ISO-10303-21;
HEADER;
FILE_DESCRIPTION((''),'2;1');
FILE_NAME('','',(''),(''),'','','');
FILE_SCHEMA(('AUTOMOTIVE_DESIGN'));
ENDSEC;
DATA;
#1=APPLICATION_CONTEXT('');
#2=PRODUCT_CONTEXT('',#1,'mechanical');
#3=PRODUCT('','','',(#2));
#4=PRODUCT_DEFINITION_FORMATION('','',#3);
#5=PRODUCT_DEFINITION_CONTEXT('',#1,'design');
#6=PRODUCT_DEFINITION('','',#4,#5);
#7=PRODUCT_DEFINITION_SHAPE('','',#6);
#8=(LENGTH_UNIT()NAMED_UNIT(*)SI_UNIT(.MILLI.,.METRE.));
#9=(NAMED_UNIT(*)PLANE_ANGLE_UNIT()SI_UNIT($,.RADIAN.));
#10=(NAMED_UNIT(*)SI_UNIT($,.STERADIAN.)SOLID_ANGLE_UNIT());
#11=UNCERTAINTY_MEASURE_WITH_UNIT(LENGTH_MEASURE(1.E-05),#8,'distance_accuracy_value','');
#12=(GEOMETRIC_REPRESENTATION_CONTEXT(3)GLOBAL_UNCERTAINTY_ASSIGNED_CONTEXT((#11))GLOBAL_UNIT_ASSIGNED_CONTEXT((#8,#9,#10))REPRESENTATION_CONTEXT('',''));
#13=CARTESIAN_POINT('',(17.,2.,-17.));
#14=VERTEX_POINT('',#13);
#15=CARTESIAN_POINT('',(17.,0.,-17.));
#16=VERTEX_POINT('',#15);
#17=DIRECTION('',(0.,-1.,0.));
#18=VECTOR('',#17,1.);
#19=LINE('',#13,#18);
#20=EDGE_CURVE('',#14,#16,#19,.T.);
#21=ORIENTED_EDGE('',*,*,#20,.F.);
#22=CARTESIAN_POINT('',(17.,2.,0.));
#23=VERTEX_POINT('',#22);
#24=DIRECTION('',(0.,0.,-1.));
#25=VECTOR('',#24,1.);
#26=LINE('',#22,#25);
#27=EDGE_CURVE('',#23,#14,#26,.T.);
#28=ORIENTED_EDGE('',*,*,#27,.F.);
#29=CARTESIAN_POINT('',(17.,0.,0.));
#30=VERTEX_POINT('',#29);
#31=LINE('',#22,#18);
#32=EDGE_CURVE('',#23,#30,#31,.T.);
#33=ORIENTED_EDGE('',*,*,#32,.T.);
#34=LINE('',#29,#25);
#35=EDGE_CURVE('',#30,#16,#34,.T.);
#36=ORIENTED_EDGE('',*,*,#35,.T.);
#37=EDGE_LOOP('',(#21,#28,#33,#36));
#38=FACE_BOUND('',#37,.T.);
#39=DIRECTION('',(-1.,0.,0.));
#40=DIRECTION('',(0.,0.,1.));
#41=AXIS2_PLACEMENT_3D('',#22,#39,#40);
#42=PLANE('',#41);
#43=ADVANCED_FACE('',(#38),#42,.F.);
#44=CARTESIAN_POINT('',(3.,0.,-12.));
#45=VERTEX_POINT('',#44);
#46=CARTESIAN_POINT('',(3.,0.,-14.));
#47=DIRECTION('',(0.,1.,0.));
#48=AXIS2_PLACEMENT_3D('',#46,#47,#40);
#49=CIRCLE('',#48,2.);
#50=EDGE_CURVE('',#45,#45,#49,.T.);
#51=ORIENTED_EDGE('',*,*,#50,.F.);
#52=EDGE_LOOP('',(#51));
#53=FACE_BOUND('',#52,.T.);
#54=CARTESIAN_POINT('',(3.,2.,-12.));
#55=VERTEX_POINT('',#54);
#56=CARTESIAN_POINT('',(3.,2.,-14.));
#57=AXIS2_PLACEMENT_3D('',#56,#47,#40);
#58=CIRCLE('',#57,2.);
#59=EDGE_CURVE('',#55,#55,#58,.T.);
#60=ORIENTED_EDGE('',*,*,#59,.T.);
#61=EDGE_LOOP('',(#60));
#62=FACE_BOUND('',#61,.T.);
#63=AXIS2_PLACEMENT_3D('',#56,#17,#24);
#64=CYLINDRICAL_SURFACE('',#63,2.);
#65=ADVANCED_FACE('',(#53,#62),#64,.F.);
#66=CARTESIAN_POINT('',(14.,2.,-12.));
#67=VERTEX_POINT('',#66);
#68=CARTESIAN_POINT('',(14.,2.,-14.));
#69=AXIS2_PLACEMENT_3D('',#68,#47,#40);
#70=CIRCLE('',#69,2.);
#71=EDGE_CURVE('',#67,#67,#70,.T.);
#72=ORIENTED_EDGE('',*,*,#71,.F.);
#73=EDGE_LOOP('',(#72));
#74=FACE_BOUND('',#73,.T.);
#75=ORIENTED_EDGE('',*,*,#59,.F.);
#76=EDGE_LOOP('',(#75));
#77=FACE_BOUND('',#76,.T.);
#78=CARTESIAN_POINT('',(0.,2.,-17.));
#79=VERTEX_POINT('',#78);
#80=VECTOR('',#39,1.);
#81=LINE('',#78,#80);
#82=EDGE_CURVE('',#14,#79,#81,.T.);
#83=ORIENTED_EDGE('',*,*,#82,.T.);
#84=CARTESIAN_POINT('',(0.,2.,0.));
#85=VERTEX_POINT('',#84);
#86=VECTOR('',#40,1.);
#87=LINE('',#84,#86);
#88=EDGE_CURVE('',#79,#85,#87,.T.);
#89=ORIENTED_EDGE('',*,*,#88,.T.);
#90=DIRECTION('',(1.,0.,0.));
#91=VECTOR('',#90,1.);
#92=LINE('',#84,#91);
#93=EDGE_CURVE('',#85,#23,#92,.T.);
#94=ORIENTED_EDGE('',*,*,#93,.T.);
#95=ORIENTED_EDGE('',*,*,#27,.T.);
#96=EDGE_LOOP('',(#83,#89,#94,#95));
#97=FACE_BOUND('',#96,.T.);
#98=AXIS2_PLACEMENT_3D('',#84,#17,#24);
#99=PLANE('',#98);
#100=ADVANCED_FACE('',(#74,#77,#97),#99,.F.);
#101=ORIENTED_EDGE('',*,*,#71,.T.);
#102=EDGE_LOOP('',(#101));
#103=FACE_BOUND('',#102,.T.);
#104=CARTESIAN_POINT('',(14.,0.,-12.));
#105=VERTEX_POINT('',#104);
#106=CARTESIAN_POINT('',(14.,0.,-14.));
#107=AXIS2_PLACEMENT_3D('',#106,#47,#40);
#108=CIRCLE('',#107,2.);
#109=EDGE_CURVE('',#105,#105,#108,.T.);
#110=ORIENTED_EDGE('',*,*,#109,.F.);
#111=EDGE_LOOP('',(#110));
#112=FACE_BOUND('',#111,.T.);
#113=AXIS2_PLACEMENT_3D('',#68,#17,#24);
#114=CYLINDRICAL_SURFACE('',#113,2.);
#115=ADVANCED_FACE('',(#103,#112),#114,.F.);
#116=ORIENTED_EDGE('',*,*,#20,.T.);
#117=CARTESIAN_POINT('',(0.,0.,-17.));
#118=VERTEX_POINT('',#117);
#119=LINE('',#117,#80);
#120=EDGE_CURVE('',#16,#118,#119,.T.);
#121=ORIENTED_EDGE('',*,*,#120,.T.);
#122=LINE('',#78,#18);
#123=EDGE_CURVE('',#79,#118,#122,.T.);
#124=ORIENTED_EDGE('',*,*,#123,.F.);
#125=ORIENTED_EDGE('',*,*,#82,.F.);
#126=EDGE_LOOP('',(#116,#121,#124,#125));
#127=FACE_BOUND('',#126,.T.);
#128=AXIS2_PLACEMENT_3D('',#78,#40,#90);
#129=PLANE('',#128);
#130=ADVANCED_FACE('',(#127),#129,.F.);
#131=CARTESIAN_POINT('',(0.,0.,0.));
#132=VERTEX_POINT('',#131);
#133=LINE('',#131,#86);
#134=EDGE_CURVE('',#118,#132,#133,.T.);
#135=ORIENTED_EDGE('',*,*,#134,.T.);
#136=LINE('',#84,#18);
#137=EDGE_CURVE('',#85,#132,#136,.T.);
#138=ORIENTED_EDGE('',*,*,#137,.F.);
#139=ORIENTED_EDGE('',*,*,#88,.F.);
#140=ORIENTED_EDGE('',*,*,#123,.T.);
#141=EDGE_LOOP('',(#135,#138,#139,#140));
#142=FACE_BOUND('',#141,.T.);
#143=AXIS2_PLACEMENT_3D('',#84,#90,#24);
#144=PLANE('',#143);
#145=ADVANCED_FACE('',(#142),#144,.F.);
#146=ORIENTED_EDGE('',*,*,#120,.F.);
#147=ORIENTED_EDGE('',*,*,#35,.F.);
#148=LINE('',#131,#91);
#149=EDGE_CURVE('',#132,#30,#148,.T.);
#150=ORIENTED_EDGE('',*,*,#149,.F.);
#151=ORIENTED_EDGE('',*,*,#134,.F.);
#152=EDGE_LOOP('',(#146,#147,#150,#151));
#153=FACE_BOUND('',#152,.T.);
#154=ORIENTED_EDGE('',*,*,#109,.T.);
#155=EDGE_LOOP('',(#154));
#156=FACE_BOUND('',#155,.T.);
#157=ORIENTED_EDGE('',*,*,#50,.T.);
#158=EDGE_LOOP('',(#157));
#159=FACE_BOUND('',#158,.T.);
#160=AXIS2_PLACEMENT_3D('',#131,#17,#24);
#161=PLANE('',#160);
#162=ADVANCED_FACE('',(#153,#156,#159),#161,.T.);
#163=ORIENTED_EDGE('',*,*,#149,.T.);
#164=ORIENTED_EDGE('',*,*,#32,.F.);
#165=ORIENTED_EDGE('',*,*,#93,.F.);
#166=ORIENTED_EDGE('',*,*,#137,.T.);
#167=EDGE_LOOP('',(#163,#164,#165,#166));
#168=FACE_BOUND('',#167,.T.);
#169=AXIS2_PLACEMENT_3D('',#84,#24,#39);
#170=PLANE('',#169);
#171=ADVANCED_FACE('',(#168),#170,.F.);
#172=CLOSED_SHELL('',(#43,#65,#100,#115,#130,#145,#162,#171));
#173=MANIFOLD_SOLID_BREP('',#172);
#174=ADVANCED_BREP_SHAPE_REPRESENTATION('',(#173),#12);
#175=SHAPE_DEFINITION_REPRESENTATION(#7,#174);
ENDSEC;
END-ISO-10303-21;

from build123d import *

# Parameters (mm, degrees)
SKETCH1_W           = 17
SKETCH1_H           = 17
SKETCH1_R           = 2
BOSS_EXTRUDE1_DEPTH = 2


with BuildPart() as part:
    # Sketch1 → Boss-Extrude1 (new body)
    with BuildSketch(Plane(origin=(0, 0, 0), x_dir=(1, 0, 0), z_dir=(0, 1, 0))):
        with Locations((8.5, 8.5)):
            Rectangle(SKETCH1_W, SKETCH1_H)
        with Locations(Location((3, 14, 0), (0, 0, 270))):
            Circle(SKETCH1_R, mode=Mode.SUBTRACT)
        with Locations(Location((14, 14, 0), (0, 0, 270))):
            Circle(SKETCH1_R, mode=Mode.SUBTRACT)
    extrude(amount=BOSS_EXTRUDE1_DEPTH)


solid = part.part
